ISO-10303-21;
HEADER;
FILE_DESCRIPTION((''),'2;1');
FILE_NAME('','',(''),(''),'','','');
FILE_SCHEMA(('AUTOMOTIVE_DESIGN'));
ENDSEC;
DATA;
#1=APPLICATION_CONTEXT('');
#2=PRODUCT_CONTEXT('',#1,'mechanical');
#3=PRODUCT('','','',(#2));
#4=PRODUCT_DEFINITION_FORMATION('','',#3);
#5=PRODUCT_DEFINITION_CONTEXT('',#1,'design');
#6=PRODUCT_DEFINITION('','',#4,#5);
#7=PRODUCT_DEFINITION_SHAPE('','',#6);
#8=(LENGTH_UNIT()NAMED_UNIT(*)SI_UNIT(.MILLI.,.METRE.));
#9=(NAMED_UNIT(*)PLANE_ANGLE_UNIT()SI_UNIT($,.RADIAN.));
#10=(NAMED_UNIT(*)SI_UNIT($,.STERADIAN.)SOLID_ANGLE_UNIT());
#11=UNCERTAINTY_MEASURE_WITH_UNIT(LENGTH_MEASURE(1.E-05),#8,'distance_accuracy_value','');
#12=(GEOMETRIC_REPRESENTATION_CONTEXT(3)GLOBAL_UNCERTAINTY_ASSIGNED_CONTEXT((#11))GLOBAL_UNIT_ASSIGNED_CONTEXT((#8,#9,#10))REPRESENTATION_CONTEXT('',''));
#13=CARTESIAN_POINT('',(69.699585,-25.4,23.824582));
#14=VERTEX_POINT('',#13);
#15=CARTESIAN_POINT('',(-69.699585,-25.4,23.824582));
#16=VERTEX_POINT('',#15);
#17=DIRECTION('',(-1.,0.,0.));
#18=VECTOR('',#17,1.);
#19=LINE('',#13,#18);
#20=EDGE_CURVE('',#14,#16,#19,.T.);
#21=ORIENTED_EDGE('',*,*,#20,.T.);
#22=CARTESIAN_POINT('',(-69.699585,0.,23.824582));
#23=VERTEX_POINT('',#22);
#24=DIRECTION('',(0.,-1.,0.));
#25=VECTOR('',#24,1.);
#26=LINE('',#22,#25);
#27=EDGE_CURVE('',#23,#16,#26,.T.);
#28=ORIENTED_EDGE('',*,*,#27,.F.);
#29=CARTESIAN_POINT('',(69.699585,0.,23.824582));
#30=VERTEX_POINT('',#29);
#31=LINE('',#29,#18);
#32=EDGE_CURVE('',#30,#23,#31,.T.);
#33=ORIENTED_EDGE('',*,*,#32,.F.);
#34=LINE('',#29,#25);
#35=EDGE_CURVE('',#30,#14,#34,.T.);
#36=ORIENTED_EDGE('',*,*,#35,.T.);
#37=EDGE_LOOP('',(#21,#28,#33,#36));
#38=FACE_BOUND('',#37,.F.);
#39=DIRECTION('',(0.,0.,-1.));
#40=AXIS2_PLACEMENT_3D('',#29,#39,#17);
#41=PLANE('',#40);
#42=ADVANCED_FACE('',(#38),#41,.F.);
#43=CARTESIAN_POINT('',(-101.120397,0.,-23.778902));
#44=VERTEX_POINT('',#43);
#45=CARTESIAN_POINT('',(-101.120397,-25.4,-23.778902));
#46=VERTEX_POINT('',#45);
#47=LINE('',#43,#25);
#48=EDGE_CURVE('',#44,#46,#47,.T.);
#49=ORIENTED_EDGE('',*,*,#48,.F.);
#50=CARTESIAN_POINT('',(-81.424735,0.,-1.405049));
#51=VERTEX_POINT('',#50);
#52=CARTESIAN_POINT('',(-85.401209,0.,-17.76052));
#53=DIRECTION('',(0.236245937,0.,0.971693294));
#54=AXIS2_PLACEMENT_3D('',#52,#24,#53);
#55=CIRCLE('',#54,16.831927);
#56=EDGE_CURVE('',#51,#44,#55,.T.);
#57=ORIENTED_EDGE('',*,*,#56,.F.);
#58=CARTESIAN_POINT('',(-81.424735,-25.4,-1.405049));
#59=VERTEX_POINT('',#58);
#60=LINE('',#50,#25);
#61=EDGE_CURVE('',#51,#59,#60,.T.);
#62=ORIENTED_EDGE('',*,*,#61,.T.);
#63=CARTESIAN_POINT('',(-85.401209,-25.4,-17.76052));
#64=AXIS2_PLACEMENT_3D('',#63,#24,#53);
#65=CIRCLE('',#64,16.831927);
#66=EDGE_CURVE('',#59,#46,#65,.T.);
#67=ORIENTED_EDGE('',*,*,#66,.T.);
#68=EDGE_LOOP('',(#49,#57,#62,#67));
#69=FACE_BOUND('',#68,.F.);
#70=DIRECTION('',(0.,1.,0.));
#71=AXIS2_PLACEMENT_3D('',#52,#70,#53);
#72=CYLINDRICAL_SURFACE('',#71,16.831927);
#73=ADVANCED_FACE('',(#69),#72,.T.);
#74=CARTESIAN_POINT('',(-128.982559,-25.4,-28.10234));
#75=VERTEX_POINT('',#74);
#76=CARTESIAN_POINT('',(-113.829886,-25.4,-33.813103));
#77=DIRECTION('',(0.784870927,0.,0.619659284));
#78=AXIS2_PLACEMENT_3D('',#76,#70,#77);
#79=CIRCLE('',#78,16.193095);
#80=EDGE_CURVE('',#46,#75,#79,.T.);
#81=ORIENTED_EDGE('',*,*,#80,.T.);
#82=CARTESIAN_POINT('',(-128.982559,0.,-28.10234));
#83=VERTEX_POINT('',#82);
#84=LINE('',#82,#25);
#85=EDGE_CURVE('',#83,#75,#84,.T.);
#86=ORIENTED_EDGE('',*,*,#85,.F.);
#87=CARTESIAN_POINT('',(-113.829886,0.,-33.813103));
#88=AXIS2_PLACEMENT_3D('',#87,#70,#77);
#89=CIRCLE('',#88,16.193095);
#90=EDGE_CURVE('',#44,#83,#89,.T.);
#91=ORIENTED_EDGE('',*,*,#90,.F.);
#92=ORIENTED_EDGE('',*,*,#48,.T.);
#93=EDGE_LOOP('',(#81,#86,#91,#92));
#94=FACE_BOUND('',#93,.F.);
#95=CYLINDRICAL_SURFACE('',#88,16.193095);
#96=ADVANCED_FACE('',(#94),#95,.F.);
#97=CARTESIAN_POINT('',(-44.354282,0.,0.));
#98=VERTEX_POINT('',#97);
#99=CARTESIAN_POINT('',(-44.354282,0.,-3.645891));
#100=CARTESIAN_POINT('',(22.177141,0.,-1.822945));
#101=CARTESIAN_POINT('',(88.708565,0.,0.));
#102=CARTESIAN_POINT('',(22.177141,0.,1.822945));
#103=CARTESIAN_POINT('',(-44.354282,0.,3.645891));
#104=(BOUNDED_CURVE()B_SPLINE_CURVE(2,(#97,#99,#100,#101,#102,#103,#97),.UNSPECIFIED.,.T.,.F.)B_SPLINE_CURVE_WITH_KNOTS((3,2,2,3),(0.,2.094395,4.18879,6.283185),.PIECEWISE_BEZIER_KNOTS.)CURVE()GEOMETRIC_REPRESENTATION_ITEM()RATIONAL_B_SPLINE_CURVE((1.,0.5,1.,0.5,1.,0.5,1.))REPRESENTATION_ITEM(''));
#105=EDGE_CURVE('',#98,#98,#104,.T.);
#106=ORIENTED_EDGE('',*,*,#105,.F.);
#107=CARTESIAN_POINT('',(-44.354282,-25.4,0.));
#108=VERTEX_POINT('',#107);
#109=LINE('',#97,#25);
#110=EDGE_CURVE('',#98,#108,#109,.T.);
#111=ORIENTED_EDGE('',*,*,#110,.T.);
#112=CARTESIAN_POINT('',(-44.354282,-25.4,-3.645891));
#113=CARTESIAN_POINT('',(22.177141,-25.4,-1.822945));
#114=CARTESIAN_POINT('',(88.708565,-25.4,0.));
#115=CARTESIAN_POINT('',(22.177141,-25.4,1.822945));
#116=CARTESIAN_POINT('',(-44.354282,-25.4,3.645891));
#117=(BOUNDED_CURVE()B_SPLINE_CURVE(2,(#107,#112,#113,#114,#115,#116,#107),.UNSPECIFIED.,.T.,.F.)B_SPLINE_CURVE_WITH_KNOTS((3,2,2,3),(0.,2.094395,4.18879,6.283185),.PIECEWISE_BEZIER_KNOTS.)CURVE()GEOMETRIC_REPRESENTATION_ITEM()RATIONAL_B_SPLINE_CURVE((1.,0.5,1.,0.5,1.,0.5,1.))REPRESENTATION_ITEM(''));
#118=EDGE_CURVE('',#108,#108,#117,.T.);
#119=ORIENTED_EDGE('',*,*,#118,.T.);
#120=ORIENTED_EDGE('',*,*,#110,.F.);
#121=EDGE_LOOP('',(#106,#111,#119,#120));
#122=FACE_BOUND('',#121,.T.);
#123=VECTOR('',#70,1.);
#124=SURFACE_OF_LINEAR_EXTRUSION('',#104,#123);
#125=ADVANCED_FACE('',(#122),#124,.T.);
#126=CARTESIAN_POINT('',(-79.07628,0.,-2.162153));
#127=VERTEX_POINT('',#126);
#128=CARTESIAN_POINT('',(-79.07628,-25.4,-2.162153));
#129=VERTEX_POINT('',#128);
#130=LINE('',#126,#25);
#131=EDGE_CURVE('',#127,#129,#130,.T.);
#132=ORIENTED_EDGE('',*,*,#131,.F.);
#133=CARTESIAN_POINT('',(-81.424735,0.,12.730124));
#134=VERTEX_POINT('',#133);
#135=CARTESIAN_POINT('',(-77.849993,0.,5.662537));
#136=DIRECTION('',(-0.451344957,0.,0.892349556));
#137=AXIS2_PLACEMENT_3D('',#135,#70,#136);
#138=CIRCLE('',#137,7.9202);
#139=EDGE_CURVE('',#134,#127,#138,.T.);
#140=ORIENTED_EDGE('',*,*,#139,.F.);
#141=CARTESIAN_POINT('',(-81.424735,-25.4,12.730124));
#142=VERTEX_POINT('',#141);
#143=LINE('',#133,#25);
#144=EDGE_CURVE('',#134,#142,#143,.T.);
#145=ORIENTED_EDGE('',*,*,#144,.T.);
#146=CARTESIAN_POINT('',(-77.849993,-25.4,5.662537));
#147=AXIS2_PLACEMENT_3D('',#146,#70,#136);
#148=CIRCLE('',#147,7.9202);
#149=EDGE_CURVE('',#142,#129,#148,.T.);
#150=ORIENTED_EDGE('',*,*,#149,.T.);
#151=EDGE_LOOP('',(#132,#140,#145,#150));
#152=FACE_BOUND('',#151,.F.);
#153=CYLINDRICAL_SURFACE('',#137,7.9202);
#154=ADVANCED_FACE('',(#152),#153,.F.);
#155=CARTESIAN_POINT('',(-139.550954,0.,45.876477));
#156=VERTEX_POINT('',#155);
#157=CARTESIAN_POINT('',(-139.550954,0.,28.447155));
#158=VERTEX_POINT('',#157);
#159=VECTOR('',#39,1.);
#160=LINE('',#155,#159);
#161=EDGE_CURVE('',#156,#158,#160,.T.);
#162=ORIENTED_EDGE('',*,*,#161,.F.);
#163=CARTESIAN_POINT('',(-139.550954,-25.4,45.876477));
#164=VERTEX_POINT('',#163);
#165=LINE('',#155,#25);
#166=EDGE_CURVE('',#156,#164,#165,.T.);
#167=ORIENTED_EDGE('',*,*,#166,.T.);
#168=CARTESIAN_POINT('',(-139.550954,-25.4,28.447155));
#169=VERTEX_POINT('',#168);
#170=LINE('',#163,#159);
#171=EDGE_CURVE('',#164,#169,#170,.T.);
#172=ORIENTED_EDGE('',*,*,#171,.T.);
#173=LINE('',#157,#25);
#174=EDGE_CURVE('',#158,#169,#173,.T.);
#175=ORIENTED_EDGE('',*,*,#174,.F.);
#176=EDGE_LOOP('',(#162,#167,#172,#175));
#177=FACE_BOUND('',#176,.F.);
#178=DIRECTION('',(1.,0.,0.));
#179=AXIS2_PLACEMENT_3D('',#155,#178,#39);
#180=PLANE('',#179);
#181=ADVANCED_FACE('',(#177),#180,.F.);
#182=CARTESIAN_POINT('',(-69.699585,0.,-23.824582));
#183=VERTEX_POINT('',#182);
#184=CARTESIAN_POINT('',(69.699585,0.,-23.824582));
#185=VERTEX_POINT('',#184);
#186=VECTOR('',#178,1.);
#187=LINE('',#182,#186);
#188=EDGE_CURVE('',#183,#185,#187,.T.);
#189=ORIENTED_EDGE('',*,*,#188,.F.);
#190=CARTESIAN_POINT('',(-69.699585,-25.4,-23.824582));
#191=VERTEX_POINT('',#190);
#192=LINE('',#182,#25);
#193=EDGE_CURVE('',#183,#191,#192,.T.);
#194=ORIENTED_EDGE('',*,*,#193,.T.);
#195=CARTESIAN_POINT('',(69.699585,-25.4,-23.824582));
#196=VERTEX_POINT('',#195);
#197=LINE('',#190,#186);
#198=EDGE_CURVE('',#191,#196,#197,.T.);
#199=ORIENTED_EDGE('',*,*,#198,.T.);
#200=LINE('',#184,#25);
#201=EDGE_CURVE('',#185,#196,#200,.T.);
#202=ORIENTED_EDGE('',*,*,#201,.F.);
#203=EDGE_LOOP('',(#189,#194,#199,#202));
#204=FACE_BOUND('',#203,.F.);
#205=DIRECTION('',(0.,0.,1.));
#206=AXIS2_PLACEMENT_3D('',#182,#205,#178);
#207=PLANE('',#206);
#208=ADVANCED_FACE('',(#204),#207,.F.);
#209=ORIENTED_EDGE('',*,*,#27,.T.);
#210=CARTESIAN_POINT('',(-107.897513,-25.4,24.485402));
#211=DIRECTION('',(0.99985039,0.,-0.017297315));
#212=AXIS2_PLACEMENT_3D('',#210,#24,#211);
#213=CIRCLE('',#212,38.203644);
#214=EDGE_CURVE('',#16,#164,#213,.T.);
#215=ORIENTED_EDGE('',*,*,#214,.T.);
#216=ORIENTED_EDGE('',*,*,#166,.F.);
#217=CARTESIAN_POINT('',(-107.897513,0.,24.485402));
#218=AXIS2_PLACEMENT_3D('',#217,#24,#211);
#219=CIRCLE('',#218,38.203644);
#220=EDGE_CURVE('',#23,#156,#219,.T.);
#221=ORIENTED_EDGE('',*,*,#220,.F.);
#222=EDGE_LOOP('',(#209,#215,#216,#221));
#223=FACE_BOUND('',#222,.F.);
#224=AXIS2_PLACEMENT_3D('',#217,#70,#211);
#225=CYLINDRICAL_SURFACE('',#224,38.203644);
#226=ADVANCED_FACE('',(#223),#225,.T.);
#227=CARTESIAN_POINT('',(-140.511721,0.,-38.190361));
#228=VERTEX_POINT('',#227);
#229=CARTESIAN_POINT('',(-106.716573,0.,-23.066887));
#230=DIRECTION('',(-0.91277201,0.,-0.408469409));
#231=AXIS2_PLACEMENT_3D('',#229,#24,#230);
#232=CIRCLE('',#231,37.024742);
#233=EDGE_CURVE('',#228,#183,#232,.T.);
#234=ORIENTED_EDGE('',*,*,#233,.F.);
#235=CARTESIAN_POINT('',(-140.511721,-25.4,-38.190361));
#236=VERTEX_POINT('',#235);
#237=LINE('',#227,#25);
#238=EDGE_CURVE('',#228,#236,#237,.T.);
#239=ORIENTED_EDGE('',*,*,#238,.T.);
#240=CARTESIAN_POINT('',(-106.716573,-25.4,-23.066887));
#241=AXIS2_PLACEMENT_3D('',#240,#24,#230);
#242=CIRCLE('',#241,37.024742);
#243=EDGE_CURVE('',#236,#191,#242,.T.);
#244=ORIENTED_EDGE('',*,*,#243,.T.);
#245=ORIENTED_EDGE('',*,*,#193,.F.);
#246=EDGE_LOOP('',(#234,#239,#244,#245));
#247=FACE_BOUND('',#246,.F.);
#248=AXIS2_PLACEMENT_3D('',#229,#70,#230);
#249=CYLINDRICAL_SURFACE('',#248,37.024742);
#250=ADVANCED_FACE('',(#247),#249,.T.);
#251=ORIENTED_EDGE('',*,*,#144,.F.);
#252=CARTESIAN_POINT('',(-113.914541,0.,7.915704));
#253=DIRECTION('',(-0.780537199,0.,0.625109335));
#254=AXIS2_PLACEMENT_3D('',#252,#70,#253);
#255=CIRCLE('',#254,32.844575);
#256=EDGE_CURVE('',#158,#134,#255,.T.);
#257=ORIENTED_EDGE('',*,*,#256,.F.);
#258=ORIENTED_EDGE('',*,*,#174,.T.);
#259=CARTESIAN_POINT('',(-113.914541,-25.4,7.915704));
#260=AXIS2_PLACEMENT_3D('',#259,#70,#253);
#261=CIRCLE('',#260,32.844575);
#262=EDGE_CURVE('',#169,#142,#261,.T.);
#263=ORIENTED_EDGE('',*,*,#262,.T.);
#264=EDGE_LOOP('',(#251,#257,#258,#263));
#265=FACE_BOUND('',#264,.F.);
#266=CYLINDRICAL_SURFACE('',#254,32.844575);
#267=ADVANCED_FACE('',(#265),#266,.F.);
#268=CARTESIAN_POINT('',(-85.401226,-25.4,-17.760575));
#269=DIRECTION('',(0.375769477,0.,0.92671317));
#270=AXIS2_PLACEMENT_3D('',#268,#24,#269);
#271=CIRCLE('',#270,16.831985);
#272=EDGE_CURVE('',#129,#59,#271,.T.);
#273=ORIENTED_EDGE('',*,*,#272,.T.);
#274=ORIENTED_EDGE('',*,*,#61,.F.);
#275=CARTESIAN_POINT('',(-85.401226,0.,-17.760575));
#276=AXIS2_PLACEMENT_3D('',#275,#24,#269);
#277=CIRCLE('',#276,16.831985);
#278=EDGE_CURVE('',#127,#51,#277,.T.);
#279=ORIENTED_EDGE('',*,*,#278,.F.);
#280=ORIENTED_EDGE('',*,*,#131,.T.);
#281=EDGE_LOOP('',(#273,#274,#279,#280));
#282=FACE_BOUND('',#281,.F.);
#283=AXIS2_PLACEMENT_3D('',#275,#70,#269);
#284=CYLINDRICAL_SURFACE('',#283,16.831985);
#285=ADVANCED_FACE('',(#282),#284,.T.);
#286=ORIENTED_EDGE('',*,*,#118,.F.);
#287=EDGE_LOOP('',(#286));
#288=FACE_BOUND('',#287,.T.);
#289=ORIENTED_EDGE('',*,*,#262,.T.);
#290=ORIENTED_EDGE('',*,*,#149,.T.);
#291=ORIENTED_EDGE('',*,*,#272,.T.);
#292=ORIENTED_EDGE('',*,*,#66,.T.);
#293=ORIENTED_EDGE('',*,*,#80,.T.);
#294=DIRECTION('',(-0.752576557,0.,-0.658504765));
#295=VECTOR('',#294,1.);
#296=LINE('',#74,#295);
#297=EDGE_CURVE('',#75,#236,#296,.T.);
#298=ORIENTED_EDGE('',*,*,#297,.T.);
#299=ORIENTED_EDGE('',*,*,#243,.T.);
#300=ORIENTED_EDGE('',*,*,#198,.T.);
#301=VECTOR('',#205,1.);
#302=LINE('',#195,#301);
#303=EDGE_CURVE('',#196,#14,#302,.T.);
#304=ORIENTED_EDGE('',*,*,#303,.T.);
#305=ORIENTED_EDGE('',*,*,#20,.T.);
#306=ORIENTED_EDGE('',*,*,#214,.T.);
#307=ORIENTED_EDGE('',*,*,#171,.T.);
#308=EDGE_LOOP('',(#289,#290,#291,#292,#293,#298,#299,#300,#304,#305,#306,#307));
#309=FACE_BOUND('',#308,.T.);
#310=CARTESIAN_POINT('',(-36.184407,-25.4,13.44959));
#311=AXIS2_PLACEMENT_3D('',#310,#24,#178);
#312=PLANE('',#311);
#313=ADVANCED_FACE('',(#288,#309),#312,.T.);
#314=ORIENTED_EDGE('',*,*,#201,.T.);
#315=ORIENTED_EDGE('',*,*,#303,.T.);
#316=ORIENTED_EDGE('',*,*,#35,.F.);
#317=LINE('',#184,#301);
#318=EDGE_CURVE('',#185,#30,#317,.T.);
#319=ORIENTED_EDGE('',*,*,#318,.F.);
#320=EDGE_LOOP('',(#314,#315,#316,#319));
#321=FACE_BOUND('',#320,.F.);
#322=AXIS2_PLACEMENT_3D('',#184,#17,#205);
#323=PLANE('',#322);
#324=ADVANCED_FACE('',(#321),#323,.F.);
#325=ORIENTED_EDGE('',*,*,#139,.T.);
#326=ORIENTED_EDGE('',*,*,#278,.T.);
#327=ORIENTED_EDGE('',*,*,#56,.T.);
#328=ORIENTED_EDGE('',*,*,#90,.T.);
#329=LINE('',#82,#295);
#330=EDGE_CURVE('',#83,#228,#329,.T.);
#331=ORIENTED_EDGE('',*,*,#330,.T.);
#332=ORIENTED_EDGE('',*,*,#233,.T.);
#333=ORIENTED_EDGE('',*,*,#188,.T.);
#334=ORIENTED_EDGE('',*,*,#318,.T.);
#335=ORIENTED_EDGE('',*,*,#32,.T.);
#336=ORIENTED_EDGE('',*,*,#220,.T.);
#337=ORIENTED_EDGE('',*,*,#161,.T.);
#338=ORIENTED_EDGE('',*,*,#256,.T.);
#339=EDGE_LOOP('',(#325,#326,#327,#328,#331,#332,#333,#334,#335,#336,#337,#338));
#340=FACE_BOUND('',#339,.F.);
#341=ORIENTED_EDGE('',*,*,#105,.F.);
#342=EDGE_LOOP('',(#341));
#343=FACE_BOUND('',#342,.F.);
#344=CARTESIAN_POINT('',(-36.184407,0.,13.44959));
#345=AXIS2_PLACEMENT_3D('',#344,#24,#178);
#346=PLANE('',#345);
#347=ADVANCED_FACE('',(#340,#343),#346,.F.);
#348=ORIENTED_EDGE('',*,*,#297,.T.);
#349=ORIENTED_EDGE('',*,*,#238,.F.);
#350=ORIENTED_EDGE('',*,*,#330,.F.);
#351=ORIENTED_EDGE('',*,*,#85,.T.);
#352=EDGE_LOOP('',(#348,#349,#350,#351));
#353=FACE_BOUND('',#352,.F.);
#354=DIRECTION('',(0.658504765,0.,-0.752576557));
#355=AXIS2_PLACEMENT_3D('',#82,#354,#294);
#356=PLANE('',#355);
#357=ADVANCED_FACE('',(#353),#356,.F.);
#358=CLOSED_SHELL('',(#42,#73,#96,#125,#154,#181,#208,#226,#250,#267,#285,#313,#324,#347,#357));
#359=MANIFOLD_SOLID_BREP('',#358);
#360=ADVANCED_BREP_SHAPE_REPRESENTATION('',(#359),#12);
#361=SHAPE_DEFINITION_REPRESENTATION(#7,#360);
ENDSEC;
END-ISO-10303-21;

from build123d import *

# Parameters (mm, degrees)
F1_DEPTH = 25.4
F2_DEPTH = 25.4


with BuildPart() as f1:
    # F0 (on Front) → F1 (new body)
    with BuildSketch(Plane.XZ):
        with BuildLine():
            ThreePointArc((-79.07628, -2.162153), (-69.954285, -11.07424), (-69.699585, -23.824582))
            Line((-69.699585, -23.824582), (69.699585, -23.824582))
            Line((69.699585, -23.824582), (69.699585, 23.824582))
            Line((69.699585, 23.824582), (-69.699585, 23.824582))
            ThreePointArc((-69.699585, 23.824582), (-96.396248, 60.916698), (-139.550954, 45.876477))
            Line((-139.550954, 45.876477), (-139.550954, 28.447155))
            ThreePointArc((-139.550954, 28.447155), (-105.341414, 39.62166), (-81.424735, 12.730124))
            ThreePointArc((-81.424735, 12.730124), (-70.026474, 6.896277), (-79.07628, -2.162153))
        make_face()
        with BuildLine():
            add(Edge.make_bspline(
                [(-44.354282, 0), (-44.354282, -3.645891), (22.177141, -1.822945), (88.708565, 0), (22.177141, 1.822945), (-44.354282, 3.645891), (-44.354282, 0)],
                knots=[0, 0, 0, 2.094395, 2.094395, 4.18879, 4.18879, 6.283185, 6.283185, 6.283185], degree=2, weights=[1, 0.5, 1, 0.5, 1, 0.5, 1]))
        make_face(mode=Mode.SUBTRACT)
        with BuildLine():
            ThreePointArc((-140.511721, -38.190361), (-99.355258, -59.352456), (-69.699585, -23.824582))
            ThreePointArc((-69.699585, -23.824582), (-69.954285, -11.07424), (-79.07628, -2.162153))
            ThreePointArc((-79.07628, -2.162153), (-80.280173, -1.875618), (-81.424735, -1.405049))
            ThreePointArc((-81.424735, -1.405049), (-98.035297, -6.638757), (-101.120397, -23.778902))
            ThreePointArc((-101.120397, -23.778902), (-111.346881, -49.814697), (-128.982559, -28.10234))
            Line((-128.982559, -28.10234), (-140.511721, -38.190361))
        make_face()
        with BuildLine():
            ThreePointArc((-81.424735, -1.405049), (-80.280173, -1.875618), (-79.07628, -2.162153))
            ThreePointArc((-79.07628, -2.162153), (-80.236616, -1.740509), (-81.424735, -1.405049))
        make_face()
    extrude(amount=F1_DEPTH)

    # F0 (on Front) → F2 (join)
    with BuildSketch(Plane.XZ):
        with BuildLine():
            ThreePointArc((-79.07628, -2.162153), (-69.954285, -11.07424), (-69.699585, -23.824582))
            Line((-69.699585, -23.824582), (69.699585, -23.824582))
            Line((69.699585, -23.824582), (69.699585, 23.824582))
            Line((69.699585, 23.824582), (-69.699585, 23.824582))
            ThreePointArc((-69.699585, 23.824582), (-96.396248, 60.916698), (-139.550954, 45.876477))
            Line((-139.550954, 45.876477), (-139.550954, 28.447155))
            ThreePointArc((-139.550954, 28.447155), (-105.341414, 39.62166), (-81.424735, 12.730124))
            ThreePointArc((-81.424735, 12.730124), (-70.026474, 6.896277), (-79.07628, -2.162153))
        make_face()
        with BuildLine():
            add(Edge.make_bspline(
                [(-44.354282, 0), (-44.354282, -3.645891), (22.177141, -1.822945), (88.708565, 0), (22.177141, 1.822945), (-44.354282, 3.645891), (-44.354282, 0)],
                knots=[0, 0, 0, 2.094395, 2.094395, 4.18879, 4.18879, 6.283185, 6.283185, 6.283185], degree=2, weights=[1, 0.5, 1, 0.5, 1, 0.5, 1]))
        make_face(mode=Mode.SUBTRACT)
        with BuildLine():
            ThreePointArc((-140.511721, -38.190361), (-99.355258, -59.352456), (-69.699585, -23.824582))
            ThreePointArc((-69.699585, -23.824582), (-69.954285, -11.07424), (-79.07628, -2.162153))
            ThreePointArc((-79.07628, -2.162153), (-80.280173, -1.875618), (-81.424735, -1.405049))
            ThreePointArc((-81.424735, -1.405049), (-98.035297, -6.638757), (-101.120397, -23.778902))
            ThreePointArc((-101.120397, -23.778902), (-111.346881, -49.814697), (-128.982559, -28.10234))
            Line((-128.982559, -28.10234), (-140.511721, -38.190361))
        make_face()
        with BuildLine():
            ThreePointArc((-81.424735, -1.405049), (-80.280173, -1.875618), (-79.07628, -2.162153))
            ThreePointArc((-79.07628, -2.162153), (-80.236616, -1.740509), (-81.424735, -1.405049))
        make_face()
    extrude(amount=F2_DEPTH)


solid = f1.part
